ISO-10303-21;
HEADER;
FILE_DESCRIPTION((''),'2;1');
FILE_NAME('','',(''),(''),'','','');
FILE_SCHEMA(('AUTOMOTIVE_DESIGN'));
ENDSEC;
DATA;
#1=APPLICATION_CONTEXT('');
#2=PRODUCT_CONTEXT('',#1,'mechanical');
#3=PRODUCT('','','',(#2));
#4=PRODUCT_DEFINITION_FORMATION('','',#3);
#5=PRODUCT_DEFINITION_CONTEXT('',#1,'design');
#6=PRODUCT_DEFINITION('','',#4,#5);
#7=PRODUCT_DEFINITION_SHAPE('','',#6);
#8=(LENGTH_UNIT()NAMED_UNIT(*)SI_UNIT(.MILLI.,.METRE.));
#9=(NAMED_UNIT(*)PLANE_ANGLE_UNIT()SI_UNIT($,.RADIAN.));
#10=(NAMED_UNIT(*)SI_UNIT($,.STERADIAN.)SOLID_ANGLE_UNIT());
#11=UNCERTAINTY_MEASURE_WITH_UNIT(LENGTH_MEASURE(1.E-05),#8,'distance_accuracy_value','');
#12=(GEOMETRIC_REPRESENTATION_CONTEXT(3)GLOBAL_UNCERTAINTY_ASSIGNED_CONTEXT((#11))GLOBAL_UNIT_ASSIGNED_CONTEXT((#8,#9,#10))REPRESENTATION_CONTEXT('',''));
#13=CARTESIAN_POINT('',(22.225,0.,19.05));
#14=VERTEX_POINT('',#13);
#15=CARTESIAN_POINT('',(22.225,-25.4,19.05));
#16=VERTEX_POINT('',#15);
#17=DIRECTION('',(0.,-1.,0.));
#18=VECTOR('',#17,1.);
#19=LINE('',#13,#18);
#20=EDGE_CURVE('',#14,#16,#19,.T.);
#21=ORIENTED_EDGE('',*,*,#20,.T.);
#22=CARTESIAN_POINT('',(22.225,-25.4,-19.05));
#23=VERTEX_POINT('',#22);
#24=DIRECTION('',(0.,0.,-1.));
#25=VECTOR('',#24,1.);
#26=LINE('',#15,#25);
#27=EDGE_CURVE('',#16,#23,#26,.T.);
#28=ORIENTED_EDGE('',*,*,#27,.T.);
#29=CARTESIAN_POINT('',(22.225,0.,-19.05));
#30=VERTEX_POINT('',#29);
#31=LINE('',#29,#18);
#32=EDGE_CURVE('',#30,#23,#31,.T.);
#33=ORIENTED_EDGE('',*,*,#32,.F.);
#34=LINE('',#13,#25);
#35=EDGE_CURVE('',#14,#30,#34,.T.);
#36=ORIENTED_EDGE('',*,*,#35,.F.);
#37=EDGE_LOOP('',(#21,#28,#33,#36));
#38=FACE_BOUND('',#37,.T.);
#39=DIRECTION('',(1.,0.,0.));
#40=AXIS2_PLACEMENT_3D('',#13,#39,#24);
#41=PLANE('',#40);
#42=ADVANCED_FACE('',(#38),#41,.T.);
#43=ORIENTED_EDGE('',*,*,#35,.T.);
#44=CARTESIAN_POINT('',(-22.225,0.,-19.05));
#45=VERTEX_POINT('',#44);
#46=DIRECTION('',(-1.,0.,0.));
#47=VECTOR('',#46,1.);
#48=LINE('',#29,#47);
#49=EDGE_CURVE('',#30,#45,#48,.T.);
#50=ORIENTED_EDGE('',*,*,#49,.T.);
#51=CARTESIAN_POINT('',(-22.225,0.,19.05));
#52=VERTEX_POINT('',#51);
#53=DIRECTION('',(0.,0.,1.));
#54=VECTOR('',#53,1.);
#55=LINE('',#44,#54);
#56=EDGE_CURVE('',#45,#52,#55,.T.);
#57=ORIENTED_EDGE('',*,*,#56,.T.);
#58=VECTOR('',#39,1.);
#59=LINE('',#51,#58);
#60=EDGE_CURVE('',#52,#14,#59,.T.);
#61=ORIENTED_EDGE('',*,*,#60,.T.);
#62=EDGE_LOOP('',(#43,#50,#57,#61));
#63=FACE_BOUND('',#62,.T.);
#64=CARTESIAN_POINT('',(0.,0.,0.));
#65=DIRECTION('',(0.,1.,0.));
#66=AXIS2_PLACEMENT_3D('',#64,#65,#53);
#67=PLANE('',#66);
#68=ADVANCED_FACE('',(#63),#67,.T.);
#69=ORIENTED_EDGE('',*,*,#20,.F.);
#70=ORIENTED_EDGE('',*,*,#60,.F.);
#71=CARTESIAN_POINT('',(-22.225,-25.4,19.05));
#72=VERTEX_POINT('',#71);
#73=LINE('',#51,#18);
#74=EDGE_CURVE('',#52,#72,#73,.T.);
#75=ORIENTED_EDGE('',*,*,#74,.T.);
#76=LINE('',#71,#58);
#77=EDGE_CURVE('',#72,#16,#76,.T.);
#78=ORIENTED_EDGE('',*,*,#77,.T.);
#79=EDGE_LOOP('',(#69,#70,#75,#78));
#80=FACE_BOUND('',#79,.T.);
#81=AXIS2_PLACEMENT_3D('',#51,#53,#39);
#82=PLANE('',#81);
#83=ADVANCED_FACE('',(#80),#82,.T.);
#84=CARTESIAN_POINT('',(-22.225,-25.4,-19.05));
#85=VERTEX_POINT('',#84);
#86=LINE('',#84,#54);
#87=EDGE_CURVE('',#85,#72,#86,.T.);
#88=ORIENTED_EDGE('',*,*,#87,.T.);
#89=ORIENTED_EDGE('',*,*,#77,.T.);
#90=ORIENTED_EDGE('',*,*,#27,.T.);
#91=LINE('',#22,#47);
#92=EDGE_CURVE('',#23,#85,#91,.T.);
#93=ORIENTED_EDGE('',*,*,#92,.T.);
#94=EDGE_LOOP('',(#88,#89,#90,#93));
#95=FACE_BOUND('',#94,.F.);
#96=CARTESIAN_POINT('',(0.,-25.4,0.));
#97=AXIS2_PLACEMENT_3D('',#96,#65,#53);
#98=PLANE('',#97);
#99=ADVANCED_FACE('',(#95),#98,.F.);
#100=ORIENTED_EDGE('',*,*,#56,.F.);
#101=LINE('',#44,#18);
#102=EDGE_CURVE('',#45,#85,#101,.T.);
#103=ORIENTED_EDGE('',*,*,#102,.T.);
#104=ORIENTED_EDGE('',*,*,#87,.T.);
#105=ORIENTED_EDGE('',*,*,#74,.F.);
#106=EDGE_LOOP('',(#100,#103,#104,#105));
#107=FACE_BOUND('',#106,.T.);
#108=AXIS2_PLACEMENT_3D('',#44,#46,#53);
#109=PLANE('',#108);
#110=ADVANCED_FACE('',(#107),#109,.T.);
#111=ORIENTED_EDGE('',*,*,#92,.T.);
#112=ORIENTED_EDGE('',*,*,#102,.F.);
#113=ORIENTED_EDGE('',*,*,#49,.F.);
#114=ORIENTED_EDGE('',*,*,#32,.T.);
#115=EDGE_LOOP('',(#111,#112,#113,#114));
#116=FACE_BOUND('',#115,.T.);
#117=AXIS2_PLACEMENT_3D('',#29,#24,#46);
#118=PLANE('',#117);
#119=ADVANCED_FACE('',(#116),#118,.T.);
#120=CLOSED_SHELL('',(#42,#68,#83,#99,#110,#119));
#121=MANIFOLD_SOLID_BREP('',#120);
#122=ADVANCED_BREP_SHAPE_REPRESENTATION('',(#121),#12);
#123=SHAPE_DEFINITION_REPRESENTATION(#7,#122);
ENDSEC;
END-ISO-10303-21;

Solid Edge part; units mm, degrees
sketch "Sketch1" plane through (0, 0, 0) normal (0, -1, 0) x (1, 0, 0)
  line L0 (-22.225, 19.05) -> (22.225, 19.05)
  line L1 (22.225, 19.05) -> (22.225, -19.05)
  line L2 (22.225, -19.05) -> (-22.225, -19.05)
  line L3 (-22.225, -19.05) -> (-22.225, 19.05)
  dimension "D1" = 44.45
  dimension "D2" = 38.1
extrude "Protrusion1" add sketch "Sketch1" along normal blind 25.4
